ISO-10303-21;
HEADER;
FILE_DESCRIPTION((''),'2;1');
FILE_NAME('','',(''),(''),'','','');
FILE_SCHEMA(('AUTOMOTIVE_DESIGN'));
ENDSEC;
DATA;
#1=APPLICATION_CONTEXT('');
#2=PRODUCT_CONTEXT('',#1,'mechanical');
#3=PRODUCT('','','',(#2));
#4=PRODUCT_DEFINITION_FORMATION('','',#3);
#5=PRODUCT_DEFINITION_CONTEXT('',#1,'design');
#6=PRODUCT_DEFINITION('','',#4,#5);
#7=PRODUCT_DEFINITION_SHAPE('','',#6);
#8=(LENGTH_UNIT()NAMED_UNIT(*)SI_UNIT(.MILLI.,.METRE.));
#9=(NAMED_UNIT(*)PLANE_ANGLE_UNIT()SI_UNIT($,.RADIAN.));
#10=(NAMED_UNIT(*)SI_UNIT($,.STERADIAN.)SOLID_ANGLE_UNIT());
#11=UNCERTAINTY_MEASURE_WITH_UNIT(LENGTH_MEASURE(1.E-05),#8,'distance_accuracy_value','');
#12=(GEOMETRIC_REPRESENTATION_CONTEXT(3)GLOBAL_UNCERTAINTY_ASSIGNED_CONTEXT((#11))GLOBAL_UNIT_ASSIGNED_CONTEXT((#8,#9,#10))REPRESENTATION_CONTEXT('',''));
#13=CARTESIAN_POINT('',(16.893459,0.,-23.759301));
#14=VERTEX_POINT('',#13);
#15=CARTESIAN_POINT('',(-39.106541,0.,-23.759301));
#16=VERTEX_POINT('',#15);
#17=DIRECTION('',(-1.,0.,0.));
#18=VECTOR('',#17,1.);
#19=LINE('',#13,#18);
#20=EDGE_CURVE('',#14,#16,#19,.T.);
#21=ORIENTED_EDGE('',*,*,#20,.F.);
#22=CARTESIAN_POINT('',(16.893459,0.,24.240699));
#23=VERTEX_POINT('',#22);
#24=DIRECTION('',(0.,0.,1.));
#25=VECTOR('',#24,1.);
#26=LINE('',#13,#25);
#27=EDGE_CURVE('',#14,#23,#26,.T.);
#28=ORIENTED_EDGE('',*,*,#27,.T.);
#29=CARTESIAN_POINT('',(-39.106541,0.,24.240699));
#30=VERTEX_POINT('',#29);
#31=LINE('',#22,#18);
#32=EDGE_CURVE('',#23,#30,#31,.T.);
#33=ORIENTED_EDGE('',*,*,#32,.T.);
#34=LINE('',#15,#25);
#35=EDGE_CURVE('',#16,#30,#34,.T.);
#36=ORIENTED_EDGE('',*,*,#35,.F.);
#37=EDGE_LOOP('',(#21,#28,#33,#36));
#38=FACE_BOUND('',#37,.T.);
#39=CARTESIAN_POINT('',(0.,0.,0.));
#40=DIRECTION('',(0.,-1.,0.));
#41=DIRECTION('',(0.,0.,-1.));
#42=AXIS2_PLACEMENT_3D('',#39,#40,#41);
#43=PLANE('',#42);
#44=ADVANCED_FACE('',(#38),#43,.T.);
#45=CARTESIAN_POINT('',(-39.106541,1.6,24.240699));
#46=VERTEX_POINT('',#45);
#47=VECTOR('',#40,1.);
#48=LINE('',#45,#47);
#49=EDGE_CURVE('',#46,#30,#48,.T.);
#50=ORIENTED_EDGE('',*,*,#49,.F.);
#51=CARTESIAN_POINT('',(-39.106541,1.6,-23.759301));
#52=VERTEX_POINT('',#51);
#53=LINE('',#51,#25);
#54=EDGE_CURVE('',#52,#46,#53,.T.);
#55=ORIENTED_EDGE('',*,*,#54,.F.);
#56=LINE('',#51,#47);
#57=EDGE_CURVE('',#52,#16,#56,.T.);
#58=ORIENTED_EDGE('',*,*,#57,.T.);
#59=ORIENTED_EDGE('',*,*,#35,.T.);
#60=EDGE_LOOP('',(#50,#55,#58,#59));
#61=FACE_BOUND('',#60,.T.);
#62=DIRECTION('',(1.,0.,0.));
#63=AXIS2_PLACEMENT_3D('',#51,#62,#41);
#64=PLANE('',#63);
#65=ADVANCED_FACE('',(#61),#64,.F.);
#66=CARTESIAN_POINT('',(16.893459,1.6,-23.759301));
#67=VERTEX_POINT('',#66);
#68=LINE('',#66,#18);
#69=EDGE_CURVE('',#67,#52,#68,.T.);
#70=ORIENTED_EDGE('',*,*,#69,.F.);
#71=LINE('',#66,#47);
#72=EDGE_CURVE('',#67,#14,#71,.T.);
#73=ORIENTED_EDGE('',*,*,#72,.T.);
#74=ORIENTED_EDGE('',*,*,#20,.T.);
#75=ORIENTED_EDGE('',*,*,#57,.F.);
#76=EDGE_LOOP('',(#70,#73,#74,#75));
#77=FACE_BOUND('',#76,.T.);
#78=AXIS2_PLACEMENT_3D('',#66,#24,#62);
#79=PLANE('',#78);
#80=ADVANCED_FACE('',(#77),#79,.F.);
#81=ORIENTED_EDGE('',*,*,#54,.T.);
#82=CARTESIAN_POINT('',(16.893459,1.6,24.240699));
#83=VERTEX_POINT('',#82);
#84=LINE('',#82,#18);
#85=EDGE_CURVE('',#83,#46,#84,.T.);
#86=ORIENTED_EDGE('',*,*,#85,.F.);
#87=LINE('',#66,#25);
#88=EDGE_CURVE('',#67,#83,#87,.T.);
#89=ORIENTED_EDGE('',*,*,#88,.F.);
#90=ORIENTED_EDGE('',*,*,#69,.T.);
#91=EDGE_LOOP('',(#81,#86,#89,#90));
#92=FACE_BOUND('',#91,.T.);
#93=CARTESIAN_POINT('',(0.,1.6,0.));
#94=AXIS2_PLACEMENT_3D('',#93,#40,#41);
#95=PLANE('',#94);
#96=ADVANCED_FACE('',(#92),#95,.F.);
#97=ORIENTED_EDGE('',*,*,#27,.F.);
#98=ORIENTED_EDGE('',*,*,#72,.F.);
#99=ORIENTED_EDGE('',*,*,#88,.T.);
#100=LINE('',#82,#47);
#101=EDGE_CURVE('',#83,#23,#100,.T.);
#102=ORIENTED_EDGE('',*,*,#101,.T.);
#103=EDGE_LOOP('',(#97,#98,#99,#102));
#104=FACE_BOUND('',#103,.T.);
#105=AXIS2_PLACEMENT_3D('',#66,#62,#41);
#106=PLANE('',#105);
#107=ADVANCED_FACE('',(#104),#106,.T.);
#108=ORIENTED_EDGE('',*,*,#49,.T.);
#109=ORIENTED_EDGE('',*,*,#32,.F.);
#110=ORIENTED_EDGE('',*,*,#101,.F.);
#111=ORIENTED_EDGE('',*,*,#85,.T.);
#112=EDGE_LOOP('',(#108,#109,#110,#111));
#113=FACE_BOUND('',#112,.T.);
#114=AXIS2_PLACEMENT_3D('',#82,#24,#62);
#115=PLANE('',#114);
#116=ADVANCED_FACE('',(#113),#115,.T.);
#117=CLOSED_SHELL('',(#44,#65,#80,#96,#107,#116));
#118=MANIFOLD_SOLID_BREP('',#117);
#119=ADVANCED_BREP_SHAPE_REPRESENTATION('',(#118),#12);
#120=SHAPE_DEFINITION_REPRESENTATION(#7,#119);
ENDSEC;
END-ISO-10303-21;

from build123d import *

# Parameters (mm, degrees)
SKETCH_1_W      = 56
SKETCH_1_H      = 48
EXTRUDE_1_DEPTH = 1.6


with BuildPart() as part:
    # Эскиз1 → Бобышка-Вытянуть1 (new body)
    with BuildSketch(Plane(origin=(0, 0, 0), x_dir=(1, 0, 0), z_dir=(0, 1, 0))):
        with Locations((-11.10654144, -0.240698632)):
            Rectangle(SKETCH_1_W, SKETCH_1_H)
    extrude(amount=EXTRUDE_1_DEPTH)


solid = part.part
